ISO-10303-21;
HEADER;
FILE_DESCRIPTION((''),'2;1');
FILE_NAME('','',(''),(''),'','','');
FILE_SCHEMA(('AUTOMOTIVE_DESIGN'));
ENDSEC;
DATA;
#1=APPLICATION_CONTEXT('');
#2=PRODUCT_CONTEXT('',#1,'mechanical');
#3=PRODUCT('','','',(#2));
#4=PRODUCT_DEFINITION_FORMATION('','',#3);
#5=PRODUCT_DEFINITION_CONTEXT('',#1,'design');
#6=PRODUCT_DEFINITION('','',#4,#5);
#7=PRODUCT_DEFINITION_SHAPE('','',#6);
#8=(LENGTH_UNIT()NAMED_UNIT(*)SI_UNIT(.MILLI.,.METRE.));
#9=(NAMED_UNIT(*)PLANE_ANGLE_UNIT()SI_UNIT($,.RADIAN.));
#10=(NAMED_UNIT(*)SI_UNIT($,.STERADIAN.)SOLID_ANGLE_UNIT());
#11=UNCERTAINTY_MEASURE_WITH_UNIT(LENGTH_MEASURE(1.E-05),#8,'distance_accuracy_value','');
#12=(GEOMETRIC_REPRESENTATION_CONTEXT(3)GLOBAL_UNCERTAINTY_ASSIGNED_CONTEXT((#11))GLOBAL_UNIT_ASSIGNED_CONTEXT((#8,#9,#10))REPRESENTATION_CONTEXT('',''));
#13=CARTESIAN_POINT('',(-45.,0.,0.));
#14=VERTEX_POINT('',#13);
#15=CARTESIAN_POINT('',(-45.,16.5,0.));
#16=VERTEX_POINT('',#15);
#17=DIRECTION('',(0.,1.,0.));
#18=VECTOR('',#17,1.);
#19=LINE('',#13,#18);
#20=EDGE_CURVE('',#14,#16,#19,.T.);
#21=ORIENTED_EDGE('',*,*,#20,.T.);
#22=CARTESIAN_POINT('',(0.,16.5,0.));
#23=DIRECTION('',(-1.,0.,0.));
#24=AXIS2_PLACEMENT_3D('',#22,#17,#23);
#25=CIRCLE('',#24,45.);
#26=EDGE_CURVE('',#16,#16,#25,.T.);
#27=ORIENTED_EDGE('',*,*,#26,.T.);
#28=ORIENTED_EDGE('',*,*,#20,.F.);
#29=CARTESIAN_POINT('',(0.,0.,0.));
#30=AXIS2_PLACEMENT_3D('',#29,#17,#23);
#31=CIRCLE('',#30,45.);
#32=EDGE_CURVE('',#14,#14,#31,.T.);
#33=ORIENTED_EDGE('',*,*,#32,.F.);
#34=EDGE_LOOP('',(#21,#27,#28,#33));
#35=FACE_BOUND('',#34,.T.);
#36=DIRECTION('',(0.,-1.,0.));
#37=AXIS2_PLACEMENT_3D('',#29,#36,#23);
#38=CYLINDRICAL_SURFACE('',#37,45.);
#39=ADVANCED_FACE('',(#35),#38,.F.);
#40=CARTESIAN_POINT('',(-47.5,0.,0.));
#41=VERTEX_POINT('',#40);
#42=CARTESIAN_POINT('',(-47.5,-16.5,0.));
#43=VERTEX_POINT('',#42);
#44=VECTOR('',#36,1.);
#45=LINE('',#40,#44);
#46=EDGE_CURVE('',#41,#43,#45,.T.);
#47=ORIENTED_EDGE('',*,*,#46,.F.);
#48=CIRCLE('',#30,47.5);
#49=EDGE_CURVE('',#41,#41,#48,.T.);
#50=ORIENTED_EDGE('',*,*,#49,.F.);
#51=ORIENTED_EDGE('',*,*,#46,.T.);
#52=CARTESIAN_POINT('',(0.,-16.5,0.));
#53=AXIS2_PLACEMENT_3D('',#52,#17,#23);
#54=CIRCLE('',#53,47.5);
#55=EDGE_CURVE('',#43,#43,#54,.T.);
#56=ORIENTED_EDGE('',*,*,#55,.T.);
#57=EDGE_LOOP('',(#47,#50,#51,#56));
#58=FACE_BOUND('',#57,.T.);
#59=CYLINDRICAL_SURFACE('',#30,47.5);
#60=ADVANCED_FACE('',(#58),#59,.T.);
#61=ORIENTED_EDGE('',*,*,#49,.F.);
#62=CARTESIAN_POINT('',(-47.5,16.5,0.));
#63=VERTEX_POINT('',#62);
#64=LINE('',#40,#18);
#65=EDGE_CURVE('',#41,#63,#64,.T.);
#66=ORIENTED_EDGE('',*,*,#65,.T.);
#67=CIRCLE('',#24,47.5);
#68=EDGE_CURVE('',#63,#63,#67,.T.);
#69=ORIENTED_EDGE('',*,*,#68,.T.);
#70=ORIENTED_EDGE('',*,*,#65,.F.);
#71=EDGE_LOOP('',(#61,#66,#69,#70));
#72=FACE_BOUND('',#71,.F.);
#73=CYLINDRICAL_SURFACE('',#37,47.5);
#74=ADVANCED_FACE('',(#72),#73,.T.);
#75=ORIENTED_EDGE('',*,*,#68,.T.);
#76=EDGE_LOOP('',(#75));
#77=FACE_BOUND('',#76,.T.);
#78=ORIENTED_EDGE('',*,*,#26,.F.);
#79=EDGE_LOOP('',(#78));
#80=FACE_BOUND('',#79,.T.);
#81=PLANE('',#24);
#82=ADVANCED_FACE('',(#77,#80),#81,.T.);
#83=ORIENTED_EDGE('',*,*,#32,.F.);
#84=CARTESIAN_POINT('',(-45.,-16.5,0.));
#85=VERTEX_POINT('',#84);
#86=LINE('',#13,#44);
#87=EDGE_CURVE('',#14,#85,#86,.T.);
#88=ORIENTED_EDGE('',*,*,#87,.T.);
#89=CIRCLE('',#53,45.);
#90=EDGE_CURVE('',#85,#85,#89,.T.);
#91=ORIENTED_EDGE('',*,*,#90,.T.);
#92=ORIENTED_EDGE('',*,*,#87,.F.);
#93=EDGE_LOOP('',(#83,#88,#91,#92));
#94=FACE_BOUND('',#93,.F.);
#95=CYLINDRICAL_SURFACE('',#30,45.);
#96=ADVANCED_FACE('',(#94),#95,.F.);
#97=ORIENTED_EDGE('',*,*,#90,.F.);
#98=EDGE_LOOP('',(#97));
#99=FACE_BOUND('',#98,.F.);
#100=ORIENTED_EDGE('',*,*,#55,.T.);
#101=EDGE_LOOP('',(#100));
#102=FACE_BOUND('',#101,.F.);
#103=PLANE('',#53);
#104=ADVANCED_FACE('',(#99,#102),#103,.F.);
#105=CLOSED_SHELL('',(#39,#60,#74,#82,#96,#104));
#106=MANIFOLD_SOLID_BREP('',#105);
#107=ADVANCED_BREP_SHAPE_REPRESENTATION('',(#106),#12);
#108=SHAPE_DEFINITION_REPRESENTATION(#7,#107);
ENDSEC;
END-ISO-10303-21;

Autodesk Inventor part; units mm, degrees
ref_plane "YZ Plane" through (0, 0, 0) normal (1, 0, 0) x (0, 1, 0)
ref_plane "XZ Plane" through (0, 0, 0) normal (0, 1, 0) x (-1, 0, 0)
ref_plane "XY Plane" through (0, 0, 0) normal (0, 0, 1) x (1, 0, 0)
sketch "Sketch1" plane through (0, 0, 0) normal (0, 1, 0) x (-1, 0, 0)
  circle A0 centre (0, 0) radius 45
  circle A1 centre (0, 0) radius 47.5
  dimension "d0" = 90
  dimension "d1" = 95
extrude "Extrusion1" add sketch "Sketch1" along normal mid plane 33
properties part number "WheelRubber"
